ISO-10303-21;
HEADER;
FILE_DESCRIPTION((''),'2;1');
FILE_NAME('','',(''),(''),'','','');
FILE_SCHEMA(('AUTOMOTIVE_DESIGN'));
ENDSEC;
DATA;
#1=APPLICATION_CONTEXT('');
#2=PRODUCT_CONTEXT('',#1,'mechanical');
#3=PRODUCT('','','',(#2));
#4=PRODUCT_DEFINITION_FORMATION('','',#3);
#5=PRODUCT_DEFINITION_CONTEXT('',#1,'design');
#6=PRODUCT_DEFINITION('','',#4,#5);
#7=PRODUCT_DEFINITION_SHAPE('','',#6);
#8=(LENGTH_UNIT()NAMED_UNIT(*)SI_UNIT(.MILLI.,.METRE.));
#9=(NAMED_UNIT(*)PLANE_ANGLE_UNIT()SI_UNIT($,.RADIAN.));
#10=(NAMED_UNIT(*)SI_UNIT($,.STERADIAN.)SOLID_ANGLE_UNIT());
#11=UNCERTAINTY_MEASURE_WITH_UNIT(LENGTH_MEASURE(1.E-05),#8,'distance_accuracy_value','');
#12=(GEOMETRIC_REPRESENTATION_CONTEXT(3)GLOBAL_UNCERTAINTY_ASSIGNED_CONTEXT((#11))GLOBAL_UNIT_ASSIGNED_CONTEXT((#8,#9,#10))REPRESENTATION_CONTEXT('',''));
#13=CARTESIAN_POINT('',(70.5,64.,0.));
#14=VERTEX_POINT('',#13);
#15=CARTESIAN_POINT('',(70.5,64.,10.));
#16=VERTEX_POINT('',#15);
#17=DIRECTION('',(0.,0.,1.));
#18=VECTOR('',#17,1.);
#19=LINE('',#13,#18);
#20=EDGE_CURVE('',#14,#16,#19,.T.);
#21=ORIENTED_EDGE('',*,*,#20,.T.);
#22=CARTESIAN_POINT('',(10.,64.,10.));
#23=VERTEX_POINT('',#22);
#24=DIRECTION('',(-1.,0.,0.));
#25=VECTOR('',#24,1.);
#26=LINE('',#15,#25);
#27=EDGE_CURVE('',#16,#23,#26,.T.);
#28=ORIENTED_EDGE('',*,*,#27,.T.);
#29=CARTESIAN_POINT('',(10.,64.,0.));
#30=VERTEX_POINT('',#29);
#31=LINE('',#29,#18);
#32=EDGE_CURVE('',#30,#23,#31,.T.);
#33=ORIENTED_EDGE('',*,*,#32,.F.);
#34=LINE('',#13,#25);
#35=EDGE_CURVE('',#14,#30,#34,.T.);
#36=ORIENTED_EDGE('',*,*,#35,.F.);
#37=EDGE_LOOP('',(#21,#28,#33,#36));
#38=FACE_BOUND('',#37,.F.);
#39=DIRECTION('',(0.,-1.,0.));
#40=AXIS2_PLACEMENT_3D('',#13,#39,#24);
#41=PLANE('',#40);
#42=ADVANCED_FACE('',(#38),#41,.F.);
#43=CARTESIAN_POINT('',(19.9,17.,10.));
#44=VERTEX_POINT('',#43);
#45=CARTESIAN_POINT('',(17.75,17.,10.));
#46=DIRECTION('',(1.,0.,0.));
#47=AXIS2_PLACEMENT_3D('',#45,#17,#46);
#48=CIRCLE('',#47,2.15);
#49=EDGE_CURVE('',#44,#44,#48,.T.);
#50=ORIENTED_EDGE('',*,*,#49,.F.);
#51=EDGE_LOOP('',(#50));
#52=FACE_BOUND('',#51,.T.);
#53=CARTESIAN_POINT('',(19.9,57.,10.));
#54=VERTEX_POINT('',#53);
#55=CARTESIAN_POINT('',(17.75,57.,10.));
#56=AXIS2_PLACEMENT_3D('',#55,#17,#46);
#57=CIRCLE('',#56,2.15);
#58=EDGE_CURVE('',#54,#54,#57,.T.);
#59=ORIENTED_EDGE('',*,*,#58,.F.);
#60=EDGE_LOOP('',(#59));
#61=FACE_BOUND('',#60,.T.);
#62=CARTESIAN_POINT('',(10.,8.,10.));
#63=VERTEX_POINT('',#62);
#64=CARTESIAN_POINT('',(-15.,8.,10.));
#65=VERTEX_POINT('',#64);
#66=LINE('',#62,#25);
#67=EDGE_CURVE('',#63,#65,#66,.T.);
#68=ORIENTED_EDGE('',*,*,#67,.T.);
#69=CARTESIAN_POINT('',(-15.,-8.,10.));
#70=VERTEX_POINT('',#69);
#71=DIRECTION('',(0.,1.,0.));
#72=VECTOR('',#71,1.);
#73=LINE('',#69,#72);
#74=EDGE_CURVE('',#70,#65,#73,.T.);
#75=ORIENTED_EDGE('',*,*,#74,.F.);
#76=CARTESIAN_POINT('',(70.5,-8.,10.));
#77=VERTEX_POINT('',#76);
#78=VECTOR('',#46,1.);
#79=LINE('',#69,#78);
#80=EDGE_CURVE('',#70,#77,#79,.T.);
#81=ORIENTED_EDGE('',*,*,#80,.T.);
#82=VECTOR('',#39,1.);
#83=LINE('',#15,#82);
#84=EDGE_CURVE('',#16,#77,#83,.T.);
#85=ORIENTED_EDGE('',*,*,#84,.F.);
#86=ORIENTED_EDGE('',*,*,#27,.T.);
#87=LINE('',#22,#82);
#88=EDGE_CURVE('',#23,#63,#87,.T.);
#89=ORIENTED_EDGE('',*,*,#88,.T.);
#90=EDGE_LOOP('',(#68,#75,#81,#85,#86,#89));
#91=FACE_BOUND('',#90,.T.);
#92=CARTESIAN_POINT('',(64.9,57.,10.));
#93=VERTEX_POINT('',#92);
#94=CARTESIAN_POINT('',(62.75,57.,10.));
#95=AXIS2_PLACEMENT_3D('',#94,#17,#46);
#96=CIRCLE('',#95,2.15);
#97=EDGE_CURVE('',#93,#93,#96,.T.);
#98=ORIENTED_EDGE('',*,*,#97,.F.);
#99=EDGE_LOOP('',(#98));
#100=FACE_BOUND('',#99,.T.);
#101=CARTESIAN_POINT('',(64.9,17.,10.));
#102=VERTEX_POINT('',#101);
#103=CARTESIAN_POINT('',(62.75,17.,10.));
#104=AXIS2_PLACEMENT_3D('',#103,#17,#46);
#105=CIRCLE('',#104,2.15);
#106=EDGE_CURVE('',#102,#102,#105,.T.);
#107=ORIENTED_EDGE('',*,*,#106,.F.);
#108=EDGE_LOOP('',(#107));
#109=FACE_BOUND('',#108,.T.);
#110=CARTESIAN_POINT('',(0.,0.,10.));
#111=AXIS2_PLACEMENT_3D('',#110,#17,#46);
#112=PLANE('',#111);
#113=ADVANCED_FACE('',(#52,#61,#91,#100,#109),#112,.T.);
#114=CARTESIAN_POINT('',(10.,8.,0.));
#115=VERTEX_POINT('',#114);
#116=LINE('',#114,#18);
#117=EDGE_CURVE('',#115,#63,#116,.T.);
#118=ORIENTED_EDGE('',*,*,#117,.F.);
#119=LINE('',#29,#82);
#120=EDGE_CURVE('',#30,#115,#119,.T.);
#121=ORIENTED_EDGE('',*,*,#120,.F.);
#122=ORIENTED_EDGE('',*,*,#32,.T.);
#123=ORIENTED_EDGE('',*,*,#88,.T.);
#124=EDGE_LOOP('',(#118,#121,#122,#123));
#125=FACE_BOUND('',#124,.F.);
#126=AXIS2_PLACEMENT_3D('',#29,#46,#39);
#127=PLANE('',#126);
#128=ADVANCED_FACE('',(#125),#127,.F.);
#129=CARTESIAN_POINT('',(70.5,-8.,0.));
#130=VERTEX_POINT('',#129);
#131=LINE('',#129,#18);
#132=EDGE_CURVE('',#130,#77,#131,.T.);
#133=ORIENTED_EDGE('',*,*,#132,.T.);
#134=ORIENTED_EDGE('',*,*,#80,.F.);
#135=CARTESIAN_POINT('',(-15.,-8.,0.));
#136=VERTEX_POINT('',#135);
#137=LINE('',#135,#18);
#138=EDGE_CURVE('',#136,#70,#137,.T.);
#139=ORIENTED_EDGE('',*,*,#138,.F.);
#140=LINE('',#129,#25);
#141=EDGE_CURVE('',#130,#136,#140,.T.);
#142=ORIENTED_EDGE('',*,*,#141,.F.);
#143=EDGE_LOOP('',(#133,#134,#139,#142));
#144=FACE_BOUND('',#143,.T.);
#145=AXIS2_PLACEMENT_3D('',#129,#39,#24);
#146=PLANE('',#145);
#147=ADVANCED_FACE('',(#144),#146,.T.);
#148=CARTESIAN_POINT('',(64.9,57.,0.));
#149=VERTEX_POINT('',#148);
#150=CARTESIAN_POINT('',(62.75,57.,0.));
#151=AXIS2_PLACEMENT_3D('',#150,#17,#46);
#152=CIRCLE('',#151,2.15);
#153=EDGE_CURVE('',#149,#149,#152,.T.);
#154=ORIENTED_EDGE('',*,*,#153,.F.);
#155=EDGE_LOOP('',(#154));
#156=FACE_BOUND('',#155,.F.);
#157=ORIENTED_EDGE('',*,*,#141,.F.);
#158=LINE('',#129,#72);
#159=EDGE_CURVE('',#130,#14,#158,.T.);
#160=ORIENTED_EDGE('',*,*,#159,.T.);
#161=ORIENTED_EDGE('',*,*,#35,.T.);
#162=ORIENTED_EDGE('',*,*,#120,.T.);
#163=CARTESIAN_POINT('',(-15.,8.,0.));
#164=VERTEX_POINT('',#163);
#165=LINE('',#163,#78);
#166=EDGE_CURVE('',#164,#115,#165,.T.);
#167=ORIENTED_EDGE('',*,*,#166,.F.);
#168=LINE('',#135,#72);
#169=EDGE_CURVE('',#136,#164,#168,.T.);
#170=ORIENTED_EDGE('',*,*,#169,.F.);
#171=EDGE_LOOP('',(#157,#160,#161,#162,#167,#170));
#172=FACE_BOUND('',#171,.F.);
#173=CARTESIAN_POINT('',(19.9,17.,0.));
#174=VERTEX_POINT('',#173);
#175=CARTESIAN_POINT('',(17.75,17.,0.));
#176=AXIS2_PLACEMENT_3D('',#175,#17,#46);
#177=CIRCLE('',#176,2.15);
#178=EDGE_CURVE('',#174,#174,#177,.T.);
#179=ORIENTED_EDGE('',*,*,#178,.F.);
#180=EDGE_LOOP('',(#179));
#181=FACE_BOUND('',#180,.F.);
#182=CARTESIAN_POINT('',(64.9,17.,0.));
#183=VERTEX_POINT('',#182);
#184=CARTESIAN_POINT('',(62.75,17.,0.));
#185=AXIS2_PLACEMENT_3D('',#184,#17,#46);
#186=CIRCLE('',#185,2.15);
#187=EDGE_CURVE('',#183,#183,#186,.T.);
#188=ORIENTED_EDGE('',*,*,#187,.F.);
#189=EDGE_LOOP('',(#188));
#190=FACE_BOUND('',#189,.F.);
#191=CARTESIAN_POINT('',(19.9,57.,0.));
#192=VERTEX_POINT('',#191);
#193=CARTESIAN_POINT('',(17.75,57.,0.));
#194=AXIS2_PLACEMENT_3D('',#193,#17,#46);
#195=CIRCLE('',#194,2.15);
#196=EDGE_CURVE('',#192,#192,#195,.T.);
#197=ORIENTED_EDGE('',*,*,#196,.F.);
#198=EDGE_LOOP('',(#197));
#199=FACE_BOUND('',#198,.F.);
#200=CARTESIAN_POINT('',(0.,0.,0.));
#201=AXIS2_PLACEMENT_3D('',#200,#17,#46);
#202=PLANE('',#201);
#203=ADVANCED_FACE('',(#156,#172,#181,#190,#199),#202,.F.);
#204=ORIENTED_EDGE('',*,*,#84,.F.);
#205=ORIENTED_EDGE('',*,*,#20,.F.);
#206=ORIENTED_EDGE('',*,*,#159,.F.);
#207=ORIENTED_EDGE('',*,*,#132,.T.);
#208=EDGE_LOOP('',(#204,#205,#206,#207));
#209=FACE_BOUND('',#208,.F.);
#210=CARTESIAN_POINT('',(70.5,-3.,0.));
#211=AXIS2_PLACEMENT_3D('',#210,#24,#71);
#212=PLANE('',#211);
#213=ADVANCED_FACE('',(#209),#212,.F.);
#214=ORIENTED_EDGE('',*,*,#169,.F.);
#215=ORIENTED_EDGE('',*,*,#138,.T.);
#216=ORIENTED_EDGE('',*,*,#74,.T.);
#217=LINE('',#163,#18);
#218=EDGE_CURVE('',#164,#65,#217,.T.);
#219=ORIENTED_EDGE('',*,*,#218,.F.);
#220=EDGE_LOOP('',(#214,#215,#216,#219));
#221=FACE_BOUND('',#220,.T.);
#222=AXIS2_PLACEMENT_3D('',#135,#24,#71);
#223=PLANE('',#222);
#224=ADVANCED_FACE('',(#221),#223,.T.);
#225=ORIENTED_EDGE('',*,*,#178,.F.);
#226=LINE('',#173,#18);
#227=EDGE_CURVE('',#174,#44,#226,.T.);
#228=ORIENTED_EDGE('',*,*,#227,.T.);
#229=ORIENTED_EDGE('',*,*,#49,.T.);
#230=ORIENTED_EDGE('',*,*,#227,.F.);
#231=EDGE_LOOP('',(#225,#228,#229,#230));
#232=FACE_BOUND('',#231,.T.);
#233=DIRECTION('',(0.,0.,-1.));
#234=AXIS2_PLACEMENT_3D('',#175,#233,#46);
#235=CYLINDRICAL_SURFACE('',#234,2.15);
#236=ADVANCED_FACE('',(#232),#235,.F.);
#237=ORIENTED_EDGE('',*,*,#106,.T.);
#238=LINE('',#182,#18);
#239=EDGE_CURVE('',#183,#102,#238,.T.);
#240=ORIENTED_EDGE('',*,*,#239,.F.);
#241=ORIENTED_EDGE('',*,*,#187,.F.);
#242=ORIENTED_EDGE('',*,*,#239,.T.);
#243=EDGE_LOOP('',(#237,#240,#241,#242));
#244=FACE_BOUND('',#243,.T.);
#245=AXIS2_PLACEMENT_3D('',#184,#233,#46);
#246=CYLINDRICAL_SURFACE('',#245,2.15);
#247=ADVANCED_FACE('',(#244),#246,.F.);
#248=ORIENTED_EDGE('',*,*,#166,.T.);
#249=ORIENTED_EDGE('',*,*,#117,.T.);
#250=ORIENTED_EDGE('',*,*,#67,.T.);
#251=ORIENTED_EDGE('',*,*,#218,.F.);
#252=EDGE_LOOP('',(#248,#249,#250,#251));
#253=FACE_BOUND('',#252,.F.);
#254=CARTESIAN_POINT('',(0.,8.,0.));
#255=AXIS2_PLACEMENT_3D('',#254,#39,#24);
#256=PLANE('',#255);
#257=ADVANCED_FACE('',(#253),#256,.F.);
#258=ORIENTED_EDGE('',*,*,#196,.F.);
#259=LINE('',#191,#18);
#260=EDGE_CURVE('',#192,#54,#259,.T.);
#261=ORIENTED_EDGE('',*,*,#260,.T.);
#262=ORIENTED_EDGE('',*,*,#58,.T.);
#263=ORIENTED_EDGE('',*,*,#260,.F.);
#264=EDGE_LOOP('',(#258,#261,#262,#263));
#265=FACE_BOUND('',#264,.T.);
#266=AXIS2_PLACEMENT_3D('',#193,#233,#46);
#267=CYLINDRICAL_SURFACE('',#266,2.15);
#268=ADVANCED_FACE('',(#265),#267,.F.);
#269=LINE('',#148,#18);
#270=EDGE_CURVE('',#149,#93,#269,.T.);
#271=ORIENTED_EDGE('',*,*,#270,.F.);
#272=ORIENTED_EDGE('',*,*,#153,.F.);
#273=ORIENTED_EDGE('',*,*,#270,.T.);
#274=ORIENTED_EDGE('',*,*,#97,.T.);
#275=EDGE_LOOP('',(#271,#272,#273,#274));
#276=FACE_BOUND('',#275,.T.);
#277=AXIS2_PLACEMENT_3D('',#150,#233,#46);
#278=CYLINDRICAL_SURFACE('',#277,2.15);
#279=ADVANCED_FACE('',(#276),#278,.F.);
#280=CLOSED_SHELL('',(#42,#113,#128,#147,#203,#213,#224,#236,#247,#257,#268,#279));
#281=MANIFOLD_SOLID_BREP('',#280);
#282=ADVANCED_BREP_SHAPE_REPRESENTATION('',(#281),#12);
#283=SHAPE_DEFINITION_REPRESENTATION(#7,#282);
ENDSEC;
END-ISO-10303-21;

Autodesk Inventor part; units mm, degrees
ref_plane "YZ Plane" through (0, 0, 0) normal (1, 0, 0) x (0, 1, 0)
ref_plane "XZ Plane" through (0, 0, 0) normal (0, 1, 0) x (-1, 0, 0)
ref_plane "XY Plane" through (0, 0, 0) normal (0, 0, 1) x (1, 0, 0)
sketch "Skizze1" plane through (0, 0, 0) normal (0, 0, 1) x (1, 0, 0)
  circle A0 centre (17.75, 57) radius 2.15 projected
  circle A1 centre (62.75, 57) radius 2.15 projected
  circle A2 centre (17.75, 17) radius 2.15 projected
  circle A3 centre (62.75, 17) radius 2.15 projected
  line L0 (70.5, 64) -> (10, 64) projected
  line L1 (10, 64) -> (10, -3) projected
  line L2 (70.5, -3) -> (70.5, 64) projected
  line L3 (10, -3) -> (70.5, -3) projected
  line L4 (0, 0) -> (0, 8) projected
  line L5 (0, 8) -> (-15, 8) projected
  line L6 (-15, -8) -> (-15, 8) projected
  line L7 (0, -8) -> (-15, -8) projected
  line L8 (70.5, -8) -> (70.5, 64)
  line L9 (10, 64) -> (10, 8)
  line L10 (-15, 8) -> (10, 8)
  line L11 (70.5, -8) -> (-15, -8)
  line L12 (-15, 8) -> (-15, -8)
  point P0 (-10, 0)
  dimension "d0" = 16
extrude "Extrusion1" add sketch "Skizze1" along normal blind 10
properties part number "Seiten_Platte"
